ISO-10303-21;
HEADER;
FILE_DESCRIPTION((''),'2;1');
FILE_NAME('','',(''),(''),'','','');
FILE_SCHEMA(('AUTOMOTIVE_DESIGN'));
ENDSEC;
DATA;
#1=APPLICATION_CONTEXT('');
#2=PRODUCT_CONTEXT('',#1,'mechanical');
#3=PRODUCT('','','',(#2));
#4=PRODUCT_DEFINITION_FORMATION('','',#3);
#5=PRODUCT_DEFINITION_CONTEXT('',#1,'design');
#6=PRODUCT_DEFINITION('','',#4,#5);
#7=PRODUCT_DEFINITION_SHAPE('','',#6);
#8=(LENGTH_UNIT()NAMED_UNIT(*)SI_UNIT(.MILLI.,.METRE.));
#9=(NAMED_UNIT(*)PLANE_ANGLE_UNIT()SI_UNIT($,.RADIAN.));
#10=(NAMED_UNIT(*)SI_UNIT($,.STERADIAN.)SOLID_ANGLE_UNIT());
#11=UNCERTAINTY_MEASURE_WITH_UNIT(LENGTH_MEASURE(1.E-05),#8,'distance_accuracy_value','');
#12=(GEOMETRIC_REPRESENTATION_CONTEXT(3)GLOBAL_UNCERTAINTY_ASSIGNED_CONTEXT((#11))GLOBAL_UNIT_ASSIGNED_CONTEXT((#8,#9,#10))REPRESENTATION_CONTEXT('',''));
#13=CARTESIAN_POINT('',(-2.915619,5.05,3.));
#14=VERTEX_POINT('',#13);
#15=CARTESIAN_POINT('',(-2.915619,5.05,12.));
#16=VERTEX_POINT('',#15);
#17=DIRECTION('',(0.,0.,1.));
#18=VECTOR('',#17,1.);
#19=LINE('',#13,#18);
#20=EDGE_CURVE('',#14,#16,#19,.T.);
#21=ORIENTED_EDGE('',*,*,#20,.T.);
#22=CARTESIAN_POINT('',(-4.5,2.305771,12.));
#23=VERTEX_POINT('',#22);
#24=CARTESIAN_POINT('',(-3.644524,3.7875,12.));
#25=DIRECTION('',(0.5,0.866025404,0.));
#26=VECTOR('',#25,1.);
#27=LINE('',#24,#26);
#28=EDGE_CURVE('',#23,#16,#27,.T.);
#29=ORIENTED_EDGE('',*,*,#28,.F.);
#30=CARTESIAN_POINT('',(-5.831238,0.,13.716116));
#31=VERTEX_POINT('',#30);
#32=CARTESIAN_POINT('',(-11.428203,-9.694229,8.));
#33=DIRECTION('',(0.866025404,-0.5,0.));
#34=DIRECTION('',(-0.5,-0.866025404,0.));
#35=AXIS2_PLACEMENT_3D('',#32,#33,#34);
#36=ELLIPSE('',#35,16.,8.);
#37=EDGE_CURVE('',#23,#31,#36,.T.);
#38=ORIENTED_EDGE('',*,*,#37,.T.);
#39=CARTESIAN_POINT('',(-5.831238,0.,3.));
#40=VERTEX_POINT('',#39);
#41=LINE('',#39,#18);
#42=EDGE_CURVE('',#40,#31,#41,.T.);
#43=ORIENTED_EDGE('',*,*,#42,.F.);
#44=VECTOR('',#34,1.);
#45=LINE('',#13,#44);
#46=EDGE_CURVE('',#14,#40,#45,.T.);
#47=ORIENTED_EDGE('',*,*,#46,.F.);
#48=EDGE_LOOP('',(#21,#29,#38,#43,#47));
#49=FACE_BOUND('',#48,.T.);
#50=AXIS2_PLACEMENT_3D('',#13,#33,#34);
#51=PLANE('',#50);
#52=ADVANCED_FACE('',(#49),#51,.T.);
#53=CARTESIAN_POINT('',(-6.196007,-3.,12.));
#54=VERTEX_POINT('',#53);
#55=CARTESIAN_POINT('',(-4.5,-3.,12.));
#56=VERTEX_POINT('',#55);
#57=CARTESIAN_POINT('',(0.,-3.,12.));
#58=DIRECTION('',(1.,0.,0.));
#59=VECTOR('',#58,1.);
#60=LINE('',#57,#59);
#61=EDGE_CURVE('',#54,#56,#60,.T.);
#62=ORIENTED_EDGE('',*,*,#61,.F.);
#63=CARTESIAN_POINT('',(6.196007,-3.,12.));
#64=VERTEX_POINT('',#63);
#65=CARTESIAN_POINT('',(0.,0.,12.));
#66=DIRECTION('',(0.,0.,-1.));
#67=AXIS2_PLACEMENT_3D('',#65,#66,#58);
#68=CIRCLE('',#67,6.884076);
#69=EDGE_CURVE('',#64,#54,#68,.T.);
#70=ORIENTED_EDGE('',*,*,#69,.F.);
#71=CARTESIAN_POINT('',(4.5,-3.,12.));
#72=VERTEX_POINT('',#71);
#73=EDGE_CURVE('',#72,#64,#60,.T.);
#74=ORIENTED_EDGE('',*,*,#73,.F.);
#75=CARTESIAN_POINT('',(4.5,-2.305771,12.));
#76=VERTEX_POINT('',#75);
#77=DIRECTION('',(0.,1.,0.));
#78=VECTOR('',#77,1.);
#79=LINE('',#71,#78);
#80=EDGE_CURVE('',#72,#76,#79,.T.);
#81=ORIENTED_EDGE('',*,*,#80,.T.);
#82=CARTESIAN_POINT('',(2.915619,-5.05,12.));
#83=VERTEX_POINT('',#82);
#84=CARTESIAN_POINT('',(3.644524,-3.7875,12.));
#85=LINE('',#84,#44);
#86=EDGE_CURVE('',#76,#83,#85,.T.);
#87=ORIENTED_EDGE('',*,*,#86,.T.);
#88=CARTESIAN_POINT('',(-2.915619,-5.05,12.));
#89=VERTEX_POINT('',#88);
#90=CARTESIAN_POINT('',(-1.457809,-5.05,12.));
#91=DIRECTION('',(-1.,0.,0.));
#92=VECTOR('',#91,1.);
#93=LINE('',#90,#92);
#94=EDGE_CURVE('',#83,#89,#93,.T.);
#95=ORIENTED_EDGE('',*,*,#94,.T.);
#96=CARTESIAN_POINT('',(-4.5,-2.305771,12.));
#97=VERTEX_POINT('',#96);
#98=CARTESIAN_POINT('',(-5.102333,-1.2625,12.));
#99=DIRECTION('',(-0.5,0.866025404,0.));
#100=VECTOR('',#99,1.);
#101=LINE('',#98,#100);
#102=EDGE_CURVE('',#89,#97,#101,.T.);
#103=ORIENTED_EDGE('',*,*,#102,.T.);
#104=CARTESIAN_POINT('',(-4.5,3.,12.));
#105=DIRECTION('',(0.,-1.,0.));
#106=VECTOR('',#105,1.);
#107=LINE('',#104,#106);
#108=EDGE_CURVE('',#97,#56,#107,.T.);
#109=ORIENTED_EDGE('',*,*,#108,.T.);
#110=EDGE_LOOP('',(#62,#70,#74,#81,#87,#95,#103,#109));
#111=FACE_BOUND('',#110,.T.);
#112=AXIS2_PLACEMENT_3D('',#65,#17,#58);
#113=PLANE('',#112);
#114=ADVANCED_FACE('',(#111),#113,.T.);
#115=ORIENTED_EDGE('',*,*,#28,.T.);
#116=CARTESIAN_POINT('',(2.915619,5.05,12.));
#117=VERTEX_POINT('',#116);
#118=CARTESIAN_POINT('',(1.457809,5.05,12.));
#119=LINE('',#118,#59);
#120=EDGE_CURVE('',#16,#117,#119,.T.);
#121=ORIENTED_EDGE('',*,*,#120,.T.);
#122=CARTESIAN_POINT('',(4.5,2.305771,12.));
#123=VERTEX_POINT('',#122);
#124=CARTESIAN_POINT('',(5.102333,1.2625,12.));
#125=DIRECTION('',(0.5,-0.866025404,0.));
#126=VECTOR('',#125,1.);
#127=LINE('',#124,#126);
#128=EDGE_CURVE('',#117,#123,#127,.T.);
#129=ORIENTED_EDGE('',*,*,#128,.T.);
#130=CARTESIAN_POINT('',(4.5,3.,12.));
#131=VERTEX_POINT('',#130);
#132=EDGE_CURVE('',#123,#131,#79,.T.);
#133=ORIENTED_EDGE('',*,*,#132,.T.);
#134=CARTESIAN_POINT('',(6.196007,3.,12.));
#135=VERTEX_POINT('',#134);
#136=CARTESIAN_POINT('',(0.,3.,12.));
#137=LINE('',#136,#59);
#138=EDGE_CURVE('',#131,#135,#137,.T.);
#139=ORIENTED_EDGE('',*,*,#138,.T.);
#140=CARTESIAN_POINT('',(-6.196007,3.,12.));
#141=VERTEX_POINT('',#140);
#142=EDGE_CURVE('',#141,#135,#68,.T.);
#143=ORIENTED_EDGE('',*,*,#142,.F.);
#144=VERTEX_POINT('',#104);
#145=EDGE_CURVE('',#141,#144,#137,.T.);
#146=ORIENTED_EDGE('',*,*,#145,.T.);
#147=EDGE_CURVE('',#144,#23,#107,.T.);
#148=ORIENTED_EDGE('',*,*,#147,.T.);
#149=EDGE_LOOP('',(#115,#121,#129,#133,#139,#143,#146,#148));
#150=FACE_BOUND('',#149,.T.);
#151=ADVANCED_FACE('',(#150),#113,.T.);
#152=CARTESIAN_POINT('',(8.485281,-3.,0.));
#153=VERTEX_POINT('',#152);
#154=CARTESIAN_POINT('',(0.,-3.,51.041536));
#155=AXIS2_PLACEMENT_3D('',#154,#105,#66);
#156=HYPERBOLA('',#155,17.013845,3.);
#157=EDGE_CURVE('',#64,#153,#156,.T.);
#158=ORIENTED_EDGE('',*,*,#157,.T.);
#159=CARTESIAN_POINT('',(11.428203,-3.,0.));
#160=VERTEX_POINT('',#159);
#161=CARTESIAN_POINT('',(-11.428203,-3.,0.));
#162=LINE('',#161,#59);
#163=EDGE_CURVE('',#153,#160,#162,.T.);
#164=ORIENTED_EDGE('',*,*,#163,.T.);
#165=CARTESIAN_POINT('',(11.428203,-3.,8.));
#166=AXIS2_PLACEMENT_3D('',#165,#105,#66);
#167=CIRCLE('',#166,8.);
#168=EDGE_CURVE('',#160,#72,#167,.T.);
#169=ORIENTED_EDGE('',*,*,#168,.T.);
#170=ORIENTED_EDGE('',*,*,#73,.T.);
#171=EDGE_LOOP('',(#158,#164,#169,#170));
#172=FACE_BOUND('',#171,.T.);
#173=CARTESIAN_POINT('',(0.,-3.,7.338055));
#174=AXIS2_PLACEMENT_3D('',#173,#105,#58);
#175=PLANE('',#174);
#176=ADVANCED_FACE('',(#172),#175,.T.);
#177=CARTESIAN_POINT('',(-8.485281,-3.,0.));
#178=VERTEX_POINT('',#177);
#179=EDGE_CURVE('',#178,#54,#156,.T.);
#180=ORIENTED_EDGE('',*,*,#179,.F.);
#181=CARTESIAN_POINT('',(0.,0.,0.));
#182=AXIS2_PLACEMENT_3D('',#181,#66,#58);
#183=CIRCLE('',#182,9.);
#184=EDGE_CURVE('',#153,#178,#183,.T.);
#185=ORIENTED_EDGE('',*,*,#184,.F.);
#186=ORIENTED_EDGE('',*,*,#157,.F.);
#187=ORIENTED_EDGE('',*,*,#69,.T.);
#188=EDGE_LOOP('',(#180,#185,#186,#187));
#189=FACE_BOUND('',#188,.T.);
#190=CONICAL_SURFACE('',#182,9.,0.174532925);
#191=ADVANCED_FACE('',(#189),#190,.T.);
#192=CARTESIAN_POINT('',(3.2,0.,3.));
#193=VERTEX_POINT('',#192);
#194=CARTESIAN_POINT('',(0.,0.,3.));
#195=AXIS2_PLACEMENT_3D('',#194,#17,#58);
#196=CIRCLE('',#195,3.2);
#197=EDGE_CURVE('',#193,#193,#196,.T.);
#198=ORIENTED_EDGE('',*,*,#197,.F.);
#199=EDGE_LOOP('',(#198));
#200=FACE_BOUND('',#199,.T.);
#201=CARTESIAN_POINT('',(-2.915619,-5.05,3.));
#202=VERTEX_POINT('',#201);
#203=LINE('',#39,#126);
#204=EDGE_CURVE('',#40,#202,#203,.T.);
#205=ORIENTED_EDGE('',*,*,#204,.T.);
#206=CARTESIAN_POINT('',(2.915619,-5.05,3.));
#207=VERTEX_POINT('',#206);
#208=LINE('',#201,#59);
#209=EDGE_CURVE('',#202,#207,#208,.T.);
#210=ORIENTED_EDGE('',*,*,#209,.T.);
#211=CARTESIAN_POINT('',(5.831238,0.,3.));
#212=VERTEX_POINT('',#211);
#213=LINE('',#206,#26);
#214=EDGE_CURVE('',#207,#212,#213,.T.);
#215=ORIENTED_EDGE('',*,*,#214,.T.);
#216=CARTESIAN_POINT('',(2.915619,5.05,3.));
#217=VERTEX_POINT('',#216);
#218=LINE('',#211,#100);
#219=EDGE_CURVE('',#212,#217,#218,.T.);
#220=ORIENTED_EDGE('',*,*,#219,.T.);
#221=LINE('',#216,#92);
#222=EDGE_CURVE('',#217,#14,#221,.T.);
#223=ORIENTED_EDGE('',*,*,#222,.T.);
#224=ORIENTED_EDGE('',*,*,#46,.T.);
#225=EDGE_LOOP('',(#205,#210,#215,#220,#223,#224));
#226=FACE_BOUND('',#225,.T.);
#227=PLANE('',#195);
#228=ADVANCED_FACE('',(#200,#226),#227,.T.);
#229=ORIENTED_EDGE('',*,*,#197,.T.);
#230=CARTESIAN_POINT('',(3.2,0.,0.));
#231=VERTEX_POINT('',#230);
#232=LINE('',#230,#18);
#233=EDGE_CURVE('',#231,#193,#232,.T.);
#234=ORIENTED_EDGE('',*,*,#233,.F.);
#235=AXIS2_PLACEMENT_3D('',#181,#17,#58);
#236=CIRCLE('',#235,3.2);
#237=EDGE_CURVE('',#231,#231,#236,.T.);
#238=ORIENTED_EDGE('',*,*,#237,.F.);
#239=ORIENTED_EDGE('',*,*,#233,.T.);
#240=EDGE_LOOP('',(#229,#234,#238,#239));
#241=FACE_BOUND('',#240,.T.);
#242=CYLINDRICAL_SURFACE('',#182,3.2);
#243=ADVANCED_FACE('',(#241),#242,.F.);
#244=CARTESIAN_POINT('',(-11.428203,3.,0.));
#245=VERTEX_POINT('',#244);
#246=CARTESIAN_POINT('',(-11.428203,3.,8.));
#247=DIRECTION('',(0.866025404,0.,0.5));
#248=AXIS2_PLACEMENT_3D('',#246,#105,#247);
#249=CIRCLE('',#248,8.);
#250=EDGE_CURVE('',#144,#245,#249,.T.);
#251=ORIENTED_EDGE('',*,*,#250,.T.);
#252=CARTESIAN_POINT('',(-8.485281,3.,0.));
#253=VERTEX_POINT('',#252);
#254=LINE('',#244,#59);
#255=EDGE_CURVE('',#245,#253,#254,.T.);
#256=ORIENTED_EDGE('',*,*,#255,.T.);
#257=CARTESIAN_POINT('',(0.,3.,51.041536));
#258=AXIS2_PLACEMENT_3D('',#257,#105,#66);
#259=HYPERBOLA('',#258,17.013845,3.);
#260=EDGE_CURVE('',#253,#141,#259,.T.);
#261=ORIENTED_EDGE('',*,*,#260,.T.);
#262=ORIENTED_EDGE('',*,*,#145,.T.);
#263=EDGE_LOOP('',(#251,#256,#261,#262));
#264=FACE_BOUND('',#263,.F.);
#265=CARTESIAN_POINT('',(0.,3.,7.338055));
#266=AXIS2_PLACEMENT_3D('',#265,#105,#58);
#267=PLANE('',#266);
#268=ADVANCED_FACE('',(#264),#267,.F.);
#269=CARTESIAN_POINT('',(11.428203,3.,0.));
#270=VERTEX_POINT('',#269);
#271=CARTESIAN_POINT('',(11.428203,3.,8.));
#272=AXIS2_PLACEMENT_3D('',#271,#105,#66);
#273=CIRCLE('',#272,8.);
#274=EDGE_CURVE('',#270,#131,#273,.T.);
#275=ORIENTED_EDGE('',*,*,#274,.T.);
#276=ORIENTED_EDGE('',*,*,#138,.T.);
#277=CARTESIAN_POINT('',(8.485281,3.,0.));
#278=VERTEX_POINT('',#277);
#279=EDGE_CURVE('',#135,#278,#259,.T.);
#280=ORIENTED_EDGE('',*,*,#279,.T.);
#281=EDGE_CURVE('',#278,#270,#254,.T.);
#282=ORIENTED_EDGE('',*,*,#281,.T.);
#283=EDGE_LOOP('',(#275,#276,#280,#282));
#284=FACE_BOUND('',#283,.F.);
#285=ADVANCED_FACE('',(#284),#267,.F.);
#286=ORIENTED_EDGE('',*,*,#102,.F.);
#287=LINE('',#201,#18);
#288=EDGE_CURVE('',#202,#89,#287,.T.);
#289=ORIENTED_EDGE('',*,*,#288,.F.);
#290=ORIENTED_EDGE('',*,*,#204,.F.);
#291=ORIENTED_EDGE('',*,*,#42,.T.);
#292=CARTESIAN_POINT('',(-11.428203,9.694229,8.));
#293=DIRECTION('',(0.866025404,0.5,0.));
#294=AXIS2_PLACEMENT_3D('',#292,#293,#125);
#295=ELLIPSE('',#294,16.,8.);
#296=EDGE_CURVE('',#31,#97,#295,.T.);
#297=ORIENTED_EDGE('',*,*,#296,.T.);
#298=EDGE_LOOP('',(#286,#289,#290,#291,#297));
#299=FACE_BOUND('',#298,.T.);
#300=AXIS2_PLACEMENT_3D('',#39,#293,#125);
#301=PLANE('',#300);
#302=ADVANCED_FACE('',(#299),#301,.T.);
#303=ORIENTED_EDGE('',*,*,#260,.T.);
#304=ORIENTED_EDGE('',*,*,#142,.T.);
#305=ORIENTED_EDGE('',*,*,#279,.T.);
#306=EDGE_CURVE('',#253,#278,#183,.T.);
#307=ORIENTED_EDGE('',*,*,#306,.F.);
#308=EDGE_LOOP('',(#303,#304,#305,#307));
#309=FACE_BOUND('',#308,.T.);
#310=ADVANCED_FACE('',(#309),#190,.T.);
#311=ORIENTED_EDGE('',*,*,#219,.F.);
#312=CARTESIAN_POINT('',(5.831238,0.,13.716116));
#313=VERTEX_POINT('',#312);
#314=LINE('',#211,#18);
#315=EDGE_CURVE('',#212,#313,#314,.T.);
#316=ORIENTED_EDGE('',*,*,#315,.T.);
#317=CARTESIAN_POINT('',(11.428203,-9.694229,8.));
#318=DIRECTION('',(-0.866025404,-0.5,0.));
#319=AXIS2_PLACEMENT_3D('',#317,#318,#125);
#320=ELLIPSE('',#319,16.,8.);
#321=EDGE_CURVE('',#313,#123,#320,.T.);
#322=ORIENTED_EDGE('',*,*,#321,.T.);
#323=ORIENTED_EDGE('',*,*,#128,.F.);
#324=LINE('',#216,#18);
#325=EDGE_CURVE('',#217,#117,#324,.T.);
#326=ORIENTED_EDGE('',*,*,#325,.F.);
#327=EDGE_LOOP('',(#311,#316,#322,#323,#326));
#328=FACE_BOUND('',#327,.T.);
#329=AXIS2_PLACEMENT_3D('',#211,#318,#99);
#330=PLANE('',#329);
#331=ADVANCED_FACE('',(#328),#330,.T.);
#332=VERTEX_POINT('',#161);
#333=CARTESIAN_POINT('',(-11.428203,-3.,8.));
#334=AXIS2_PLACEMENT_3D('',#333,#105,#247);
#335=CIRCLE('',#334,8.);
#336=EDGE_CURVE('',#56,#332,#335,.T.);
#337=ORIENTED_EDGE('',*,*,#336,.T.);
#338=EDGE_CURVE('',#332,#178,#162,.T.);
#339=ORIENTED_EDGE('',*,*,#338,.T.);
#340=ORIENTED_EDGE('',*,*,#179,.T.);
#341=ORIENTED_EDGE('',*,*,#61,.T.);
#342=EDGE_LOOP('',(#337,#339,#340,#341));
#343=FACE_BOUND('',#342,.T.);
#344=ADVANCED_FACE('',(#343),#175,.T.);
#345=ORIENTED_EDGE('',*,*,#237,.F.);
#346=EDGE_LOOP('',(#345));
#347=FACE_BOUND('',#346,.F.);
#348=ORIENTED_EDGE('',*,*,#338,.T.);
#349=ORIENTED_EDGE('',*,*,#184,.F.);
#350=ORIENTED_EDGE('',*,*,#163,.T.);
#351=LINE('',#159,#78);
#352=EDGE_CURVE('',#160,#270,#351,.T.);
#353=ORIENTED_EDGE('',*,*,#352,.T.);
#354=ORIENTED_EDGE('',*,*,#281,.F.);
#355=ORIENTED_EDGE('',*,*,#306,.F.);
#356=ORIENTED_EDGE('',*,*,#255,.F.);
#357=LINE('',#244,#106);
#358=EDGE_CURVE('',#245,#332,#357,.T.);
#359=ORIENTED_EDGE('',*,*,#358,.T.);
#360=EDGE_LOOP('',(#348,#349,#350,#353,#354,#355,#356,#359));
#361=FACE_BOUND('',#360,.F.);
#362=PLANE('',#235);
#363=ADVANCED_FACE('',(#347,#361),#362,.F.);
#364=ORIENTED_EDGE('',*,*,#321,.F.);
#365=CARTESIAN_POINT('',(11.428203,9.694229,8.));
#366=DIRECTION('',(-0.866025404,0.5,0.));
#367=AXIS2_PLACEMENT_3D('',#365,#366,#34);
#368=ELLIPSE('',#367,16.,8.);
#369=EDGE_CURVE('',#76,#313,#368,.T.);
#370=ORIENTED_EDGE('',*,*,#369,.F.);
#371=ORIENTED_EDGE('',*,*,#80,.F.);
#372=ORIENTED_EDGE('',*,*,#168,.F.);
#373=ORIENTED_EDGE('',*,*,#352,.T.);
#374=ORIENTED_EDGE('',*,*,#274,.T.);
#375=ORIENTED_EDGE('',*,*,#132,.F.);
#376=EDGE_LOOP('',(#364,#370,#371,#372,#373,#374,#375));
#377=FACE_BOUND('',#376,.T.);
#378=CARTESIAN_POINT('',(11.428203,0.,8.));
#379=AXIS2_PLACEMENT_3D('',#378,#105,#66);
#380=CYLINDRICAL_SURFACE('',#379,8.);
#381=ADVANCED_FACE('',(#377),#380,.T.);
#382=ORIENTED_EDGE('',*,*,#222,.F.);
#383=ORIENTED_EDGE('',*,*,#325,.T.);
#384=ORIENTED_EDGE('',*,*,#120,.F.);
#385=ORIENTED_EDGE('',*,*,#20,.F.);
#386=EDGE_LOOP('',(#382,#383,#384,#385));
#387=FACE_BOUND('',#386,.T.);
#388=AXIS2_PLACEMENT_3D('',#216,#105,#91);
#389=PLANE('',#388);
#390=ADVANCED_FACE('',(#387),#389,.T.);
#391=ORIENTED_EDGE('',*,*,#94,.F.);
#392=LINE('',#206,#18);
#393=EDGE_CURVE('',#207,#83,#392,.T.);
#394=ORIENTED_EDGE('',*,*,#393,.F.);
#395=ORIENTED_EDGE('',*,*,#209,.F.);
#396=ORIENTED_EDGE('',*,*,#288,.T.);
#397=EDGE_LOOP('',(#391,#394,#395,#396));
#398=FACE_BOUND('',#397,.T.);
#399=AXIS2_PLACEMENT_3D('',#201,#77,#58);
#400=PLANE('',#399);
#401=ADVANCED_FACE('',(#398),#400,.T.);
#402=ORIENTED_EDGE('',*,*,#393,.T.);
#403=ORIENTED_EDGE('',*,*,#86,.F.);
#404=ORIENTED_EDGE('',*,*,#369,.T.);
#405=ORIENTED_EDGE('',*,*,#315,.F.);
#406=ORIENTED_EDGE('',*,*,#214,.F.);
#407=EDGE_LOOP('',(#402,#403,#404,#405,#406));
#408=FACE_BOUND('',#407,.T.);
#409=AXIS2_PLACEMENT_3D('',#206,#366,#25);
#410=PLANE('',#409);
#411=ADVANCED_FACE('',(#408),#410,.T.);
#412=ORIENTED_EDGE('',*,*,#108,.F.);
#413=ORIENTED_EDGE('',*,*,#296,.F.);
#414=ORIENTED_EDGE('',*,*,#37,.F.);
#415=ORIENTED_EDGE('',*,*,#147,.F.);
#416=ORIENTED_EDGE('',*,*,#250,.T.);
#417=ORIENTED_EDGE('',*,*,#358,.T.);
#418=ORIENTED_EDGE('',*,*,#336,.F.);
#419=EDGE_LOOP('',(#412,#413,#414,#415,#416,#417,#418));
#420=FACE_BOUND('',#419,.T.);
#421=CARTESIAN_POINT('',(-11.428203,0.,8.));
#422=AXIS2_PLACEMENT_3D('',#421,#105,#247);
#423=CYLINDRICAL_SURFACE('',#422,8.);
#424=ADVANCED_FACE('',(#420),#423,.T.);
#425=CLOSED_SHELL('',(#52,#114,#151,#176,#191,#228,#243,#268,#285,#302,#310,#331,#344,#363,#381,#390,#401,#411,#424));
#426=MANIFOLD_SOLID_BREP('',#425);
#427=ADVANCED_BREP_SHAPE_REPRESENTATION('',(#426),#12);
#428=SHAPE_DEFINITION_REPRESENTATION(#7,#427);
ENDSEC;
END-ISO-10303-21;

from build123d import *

# Parameters (mm, degrees)
F0_R     = 9
F0_R_2   = 3.2
F1_DEPTH = 12
F1_TAPER = 10
F3_DEPTH = 3
F4_DEPTH = 12
F5_START = 3
F5_DEPTH = 22


with BuildPart() as f1:
    # F0 (on Top) → F1 (new body)
    with BuildSketch(Plane.XY):
        Circle(F0_R)
        Polygon((-5.8312377188, 0), (-2.9156188594, 5.05), (2.9156188594, 5.05), (5.8312377188, 0), (2.9156188594, -5.05), (-2.9156188594, -5.05), align=None, mode=Mode.SUBTRACT)
        Polygon((2.9156188594, 5.05), (-2.9156188594, 5.05), (-5.8312377188, 0), (-2.9156188594, -5.05), (2.9156188594, -5.05), (5.8312377188, 0), align=None)
        Circle(F0_R_2, mode=Mode.SUBTRACT)
        Circle(F0_R_2)
    extrude(amount=F1_DEPTH, taper=F1_TAPER)

    # F2 (on Front) → F3 (join, symmetric)
    with BuildSketch(Plane.XZ):
        with BuildLine():
            Line((4.5, 12), (-4.5, 12))
            ThreePointArc((-4.5, 12), (-18.3564064606, 12), (-11.4282032303, 0))
            Line((-11.4282032303, 0), (0, 0))
            Line((0, 0), (11.4282032303, 0))
            ThreePointArc((11.4282032303, 0), (18.3564064606, 12), (4.5, 12))
        make_face()
    extrude(amount=F3_DEPTH, both=True)

    # F0 (on Top) → F4 (cut, through all)
    with BuildSketch(Plane.XY):
        Circle(F0_R_2)
    extrude(amount=F4_DEPTH, mode=Mode.SUBTRACT)

    # F0 (on Top) → F5 (cut)
    with BuildSketch(Plane.XY.offset(F5_START)):
        Polygon((2.9156188594, 5.05), (-2.9156188594, 5.05), (-5.8312377188, 0), (-2.9156188594, -5.05), (2.9156188594, -5.05), (5.8312377188, 0), align=None)
        Circle(F0_R_2, mode=Mode.SUBTRACT)
    extrude(amount=F5_DEPTH, mode=Mode.SUBTRACT)


solid = f1.part
